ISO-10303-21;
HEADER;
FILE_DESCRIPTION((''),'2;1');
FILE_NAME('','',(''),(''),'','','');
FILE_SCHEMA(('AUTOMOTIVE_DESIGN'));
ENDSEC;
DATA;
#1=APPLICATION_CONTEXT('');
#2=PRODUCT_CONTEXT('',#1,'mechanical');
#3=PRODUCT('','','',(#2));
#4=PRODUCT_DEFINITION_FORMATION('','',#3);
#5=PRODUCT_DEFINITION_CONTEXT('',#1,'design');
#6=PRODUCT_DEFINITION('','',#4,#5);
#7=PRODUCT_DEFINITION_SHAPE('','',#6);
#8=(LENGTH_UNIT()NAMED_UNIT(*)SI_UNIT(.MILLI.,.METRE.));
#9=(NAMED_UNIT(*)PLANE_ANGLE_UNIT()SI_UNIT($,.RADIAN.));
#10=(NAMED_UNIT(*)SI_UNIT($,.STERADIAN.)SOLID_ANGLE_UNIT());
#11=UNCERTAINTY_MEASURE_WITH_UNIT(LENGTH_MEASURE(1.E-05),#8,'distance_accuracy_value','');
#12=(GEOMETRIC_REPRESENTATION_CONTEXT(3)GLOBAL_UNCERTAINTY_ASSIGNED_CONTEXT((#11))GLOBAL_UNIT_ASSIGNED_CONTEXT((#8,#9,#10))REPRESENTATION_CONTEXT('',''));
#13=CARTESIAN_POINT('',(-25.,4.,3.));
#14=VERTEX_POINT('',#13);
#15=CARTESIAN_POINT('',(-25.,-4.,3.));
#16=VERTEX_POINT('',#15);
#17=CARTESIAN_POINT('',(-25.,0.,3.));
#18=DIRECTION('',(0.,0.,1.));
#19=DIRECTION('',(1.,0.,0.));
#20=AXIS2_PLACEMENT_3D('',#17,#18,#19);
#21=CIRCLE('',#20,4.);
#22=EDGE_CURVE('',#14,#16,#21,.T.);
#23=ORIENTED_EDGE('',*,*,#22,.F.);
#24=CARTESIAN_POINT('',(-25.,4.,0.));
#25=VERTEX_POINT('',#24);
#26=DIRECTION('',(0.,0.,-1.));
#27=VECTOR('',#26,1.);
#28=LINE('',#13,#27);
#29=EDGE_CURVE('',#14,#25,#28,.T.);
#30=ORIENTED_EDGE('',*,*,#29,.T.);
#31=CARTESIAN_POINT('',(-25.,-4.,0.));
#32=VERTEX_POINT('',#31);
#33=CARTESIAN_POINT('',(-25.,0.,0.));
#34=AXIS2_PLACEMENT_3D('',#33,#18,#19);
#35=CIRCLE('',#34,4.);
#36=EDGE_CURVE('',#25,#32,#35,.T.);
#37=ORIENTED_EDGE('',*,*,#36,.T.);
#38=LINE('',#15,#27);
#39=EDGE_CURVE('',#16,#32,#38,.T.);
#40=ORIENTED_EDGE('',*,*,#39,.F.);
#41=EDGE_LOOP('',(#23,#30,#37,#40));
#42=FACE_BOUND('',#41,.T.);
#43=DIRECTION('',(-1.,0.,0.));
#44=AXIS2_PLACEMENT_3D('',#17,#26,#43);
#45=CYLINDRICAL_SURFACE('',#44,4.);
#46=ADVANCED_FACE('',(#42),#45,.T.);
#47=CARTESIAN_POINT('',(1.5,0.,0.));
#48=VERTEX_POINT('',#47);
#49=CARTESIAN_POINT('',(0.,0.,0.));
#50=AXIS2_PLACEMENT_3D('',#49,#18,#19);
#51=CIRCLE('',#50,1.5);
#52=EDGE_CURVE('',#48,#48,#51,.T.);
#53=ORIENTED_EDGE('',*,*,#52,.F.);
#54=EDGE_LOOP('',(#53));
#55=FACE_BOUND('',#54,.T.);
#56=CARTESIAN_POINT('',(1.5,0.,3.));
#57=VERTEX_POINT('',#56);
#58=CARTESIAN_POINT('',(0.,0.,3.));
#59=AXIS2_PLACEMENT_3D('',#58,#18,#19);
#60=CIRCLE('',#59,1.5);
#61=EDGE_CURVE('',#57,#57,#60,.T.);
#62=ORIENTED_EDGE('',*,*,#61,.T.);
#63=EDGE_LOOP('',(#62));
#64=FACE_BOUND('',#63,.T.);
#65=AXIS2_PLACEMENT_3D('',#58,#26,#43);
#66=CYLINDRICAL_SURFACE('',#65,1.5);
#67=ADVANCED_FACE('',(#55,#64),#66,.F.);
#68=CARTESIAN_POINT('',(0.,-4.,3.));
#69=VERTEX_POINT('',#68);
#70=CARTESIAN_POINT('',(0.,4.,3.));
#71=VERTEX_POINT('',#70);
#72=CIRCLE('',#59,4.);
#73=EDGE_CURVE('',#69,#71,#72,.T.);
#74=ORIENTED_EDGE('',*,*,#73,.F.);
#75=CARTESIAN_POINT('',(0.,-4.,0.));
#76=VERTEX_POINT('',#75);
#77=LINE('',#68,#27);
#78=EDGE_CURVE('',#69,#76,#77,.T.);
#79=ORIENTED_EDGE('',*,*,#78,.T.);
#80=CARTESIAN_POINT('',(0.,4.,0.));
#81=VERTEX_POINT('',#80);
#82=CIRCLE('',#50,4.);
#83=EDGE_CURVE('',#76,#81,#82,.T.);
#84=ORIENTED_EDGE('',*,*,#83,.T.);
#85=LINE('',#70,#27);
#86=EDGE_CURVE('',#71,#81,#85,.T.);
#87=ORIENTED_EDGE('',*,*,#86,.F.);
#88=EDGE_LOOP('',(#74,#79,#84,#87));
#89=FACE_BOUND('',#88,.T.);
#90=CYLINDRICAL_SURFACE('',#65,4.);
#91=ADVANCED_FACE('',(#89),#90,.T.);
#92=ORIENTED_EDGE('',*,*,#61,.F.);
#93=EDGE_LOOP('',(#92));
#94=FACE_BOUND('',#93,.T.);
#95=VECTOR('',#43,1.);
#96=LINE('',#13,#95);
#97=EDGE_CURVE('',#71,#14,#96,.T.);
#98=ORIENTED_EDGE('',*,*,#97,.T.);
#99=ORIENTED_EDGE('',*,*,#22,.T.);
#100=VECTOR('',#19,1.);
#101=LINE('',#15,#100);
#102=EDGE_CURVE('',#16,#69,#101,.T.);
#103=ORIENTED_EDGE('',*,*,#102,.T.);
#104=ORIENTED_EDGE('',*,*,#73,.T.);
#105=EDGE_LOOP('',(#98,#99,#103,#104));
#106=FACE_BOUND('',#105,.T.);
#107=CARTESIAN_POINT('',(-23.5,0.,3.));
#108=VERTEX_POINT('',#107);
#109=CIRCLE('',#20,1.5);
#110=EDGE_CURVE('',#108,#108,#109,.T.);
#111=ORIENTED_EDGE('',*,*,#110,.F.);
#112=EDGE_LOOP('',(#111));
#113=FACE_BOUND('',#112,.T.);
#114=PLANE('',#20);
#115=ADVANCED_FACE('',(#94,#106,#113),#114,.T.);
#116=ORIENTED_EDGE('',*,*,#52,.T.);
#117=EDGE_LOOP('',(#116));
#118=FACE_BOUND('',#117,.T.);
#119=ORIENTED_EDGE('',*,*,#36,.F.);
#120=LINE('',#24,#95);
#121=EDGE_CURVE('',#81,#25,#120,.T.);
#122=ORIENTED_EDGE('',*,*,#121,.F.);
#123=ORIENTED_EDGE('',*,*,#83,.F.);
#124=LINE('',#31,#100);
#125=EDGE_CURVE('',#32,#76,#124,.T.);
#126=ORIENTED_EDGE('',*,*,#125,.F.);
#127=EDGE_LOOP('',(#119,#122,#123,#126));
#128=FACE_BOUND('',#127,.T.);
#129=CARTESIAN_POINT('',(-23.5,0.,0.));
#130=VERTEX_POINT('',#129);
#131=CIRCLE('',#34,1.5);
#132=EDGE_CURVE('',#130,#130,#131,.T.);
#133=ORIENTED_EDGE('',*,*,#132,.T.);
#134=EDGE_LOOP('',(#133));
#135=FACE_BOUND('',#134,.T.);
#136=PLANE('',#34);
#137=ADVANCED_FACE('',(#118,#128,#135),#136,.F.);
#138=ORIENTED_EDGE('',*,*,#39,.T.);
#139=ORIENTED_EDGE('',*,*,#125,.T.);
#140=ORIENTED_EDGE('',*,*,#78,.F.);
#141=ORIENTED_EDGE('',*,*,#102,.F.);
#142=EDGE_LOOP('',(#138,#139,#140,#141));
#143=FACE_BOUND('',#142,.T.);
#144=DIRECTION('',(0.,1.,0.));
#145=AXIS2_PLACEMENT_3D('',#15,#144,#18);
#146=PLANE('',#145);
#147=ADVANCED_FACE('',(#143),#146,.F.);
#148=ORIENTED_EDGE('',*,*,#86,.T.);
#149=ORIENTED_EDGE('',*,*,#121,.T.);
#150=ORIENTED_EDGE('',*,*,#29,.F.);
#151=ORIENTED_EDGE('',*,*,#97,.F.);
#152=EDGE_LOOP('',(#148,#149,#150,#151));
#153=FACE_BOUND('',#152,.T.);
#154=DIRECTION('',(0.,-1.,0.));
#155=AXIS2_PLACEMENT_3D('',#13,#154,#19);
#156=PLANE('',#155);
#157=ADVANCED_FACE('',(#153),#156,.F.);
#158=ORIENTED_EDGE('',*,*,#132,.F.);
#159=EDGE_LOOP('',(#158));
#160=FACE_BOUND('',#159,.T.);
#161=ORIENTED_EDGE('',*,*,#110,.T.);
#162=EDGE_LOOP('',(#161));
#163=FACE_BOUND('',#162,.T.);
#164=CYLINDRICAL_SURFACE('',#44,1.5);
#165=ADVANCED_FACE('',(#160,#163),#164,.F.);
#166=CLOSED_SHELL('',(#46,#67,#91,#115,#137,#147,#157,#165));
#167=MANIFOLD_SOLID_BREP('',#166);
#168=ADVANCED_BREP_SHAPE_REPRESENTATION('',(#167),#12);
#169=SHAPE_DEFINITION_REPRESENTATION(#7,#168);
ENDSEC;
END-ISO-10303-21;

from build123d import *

# Parameters (mm, degrees)
SKETCH1_R           = 1.5
BOSS_EXTRUDE1_DEPTH = 3


with BuildPart() as part:
    # Sketch1 → Boss-Extrude1 (new body)
    with BuildSketch(Plane.XY):
        with BuildLine():
            Line((-25, 4), (0, 4))
            ThreePointArc((0, 4), (4, 0), (0, -4))
            Line((0, -4), (-25, -4))
            ThreePointArc((-25, -4), (-29, 0), (-25, 4))
        make_face()
        Circle(SKETCH1_R, mode=Mode.SUBTRACT)
        with Locations((-25, 0)):
            Circle(SKETCH1_R, mode=Mode.SUBTRACT)
    extrude(amount=BOSS_EXTRUDE1_DEPTH)


solid = part.part
